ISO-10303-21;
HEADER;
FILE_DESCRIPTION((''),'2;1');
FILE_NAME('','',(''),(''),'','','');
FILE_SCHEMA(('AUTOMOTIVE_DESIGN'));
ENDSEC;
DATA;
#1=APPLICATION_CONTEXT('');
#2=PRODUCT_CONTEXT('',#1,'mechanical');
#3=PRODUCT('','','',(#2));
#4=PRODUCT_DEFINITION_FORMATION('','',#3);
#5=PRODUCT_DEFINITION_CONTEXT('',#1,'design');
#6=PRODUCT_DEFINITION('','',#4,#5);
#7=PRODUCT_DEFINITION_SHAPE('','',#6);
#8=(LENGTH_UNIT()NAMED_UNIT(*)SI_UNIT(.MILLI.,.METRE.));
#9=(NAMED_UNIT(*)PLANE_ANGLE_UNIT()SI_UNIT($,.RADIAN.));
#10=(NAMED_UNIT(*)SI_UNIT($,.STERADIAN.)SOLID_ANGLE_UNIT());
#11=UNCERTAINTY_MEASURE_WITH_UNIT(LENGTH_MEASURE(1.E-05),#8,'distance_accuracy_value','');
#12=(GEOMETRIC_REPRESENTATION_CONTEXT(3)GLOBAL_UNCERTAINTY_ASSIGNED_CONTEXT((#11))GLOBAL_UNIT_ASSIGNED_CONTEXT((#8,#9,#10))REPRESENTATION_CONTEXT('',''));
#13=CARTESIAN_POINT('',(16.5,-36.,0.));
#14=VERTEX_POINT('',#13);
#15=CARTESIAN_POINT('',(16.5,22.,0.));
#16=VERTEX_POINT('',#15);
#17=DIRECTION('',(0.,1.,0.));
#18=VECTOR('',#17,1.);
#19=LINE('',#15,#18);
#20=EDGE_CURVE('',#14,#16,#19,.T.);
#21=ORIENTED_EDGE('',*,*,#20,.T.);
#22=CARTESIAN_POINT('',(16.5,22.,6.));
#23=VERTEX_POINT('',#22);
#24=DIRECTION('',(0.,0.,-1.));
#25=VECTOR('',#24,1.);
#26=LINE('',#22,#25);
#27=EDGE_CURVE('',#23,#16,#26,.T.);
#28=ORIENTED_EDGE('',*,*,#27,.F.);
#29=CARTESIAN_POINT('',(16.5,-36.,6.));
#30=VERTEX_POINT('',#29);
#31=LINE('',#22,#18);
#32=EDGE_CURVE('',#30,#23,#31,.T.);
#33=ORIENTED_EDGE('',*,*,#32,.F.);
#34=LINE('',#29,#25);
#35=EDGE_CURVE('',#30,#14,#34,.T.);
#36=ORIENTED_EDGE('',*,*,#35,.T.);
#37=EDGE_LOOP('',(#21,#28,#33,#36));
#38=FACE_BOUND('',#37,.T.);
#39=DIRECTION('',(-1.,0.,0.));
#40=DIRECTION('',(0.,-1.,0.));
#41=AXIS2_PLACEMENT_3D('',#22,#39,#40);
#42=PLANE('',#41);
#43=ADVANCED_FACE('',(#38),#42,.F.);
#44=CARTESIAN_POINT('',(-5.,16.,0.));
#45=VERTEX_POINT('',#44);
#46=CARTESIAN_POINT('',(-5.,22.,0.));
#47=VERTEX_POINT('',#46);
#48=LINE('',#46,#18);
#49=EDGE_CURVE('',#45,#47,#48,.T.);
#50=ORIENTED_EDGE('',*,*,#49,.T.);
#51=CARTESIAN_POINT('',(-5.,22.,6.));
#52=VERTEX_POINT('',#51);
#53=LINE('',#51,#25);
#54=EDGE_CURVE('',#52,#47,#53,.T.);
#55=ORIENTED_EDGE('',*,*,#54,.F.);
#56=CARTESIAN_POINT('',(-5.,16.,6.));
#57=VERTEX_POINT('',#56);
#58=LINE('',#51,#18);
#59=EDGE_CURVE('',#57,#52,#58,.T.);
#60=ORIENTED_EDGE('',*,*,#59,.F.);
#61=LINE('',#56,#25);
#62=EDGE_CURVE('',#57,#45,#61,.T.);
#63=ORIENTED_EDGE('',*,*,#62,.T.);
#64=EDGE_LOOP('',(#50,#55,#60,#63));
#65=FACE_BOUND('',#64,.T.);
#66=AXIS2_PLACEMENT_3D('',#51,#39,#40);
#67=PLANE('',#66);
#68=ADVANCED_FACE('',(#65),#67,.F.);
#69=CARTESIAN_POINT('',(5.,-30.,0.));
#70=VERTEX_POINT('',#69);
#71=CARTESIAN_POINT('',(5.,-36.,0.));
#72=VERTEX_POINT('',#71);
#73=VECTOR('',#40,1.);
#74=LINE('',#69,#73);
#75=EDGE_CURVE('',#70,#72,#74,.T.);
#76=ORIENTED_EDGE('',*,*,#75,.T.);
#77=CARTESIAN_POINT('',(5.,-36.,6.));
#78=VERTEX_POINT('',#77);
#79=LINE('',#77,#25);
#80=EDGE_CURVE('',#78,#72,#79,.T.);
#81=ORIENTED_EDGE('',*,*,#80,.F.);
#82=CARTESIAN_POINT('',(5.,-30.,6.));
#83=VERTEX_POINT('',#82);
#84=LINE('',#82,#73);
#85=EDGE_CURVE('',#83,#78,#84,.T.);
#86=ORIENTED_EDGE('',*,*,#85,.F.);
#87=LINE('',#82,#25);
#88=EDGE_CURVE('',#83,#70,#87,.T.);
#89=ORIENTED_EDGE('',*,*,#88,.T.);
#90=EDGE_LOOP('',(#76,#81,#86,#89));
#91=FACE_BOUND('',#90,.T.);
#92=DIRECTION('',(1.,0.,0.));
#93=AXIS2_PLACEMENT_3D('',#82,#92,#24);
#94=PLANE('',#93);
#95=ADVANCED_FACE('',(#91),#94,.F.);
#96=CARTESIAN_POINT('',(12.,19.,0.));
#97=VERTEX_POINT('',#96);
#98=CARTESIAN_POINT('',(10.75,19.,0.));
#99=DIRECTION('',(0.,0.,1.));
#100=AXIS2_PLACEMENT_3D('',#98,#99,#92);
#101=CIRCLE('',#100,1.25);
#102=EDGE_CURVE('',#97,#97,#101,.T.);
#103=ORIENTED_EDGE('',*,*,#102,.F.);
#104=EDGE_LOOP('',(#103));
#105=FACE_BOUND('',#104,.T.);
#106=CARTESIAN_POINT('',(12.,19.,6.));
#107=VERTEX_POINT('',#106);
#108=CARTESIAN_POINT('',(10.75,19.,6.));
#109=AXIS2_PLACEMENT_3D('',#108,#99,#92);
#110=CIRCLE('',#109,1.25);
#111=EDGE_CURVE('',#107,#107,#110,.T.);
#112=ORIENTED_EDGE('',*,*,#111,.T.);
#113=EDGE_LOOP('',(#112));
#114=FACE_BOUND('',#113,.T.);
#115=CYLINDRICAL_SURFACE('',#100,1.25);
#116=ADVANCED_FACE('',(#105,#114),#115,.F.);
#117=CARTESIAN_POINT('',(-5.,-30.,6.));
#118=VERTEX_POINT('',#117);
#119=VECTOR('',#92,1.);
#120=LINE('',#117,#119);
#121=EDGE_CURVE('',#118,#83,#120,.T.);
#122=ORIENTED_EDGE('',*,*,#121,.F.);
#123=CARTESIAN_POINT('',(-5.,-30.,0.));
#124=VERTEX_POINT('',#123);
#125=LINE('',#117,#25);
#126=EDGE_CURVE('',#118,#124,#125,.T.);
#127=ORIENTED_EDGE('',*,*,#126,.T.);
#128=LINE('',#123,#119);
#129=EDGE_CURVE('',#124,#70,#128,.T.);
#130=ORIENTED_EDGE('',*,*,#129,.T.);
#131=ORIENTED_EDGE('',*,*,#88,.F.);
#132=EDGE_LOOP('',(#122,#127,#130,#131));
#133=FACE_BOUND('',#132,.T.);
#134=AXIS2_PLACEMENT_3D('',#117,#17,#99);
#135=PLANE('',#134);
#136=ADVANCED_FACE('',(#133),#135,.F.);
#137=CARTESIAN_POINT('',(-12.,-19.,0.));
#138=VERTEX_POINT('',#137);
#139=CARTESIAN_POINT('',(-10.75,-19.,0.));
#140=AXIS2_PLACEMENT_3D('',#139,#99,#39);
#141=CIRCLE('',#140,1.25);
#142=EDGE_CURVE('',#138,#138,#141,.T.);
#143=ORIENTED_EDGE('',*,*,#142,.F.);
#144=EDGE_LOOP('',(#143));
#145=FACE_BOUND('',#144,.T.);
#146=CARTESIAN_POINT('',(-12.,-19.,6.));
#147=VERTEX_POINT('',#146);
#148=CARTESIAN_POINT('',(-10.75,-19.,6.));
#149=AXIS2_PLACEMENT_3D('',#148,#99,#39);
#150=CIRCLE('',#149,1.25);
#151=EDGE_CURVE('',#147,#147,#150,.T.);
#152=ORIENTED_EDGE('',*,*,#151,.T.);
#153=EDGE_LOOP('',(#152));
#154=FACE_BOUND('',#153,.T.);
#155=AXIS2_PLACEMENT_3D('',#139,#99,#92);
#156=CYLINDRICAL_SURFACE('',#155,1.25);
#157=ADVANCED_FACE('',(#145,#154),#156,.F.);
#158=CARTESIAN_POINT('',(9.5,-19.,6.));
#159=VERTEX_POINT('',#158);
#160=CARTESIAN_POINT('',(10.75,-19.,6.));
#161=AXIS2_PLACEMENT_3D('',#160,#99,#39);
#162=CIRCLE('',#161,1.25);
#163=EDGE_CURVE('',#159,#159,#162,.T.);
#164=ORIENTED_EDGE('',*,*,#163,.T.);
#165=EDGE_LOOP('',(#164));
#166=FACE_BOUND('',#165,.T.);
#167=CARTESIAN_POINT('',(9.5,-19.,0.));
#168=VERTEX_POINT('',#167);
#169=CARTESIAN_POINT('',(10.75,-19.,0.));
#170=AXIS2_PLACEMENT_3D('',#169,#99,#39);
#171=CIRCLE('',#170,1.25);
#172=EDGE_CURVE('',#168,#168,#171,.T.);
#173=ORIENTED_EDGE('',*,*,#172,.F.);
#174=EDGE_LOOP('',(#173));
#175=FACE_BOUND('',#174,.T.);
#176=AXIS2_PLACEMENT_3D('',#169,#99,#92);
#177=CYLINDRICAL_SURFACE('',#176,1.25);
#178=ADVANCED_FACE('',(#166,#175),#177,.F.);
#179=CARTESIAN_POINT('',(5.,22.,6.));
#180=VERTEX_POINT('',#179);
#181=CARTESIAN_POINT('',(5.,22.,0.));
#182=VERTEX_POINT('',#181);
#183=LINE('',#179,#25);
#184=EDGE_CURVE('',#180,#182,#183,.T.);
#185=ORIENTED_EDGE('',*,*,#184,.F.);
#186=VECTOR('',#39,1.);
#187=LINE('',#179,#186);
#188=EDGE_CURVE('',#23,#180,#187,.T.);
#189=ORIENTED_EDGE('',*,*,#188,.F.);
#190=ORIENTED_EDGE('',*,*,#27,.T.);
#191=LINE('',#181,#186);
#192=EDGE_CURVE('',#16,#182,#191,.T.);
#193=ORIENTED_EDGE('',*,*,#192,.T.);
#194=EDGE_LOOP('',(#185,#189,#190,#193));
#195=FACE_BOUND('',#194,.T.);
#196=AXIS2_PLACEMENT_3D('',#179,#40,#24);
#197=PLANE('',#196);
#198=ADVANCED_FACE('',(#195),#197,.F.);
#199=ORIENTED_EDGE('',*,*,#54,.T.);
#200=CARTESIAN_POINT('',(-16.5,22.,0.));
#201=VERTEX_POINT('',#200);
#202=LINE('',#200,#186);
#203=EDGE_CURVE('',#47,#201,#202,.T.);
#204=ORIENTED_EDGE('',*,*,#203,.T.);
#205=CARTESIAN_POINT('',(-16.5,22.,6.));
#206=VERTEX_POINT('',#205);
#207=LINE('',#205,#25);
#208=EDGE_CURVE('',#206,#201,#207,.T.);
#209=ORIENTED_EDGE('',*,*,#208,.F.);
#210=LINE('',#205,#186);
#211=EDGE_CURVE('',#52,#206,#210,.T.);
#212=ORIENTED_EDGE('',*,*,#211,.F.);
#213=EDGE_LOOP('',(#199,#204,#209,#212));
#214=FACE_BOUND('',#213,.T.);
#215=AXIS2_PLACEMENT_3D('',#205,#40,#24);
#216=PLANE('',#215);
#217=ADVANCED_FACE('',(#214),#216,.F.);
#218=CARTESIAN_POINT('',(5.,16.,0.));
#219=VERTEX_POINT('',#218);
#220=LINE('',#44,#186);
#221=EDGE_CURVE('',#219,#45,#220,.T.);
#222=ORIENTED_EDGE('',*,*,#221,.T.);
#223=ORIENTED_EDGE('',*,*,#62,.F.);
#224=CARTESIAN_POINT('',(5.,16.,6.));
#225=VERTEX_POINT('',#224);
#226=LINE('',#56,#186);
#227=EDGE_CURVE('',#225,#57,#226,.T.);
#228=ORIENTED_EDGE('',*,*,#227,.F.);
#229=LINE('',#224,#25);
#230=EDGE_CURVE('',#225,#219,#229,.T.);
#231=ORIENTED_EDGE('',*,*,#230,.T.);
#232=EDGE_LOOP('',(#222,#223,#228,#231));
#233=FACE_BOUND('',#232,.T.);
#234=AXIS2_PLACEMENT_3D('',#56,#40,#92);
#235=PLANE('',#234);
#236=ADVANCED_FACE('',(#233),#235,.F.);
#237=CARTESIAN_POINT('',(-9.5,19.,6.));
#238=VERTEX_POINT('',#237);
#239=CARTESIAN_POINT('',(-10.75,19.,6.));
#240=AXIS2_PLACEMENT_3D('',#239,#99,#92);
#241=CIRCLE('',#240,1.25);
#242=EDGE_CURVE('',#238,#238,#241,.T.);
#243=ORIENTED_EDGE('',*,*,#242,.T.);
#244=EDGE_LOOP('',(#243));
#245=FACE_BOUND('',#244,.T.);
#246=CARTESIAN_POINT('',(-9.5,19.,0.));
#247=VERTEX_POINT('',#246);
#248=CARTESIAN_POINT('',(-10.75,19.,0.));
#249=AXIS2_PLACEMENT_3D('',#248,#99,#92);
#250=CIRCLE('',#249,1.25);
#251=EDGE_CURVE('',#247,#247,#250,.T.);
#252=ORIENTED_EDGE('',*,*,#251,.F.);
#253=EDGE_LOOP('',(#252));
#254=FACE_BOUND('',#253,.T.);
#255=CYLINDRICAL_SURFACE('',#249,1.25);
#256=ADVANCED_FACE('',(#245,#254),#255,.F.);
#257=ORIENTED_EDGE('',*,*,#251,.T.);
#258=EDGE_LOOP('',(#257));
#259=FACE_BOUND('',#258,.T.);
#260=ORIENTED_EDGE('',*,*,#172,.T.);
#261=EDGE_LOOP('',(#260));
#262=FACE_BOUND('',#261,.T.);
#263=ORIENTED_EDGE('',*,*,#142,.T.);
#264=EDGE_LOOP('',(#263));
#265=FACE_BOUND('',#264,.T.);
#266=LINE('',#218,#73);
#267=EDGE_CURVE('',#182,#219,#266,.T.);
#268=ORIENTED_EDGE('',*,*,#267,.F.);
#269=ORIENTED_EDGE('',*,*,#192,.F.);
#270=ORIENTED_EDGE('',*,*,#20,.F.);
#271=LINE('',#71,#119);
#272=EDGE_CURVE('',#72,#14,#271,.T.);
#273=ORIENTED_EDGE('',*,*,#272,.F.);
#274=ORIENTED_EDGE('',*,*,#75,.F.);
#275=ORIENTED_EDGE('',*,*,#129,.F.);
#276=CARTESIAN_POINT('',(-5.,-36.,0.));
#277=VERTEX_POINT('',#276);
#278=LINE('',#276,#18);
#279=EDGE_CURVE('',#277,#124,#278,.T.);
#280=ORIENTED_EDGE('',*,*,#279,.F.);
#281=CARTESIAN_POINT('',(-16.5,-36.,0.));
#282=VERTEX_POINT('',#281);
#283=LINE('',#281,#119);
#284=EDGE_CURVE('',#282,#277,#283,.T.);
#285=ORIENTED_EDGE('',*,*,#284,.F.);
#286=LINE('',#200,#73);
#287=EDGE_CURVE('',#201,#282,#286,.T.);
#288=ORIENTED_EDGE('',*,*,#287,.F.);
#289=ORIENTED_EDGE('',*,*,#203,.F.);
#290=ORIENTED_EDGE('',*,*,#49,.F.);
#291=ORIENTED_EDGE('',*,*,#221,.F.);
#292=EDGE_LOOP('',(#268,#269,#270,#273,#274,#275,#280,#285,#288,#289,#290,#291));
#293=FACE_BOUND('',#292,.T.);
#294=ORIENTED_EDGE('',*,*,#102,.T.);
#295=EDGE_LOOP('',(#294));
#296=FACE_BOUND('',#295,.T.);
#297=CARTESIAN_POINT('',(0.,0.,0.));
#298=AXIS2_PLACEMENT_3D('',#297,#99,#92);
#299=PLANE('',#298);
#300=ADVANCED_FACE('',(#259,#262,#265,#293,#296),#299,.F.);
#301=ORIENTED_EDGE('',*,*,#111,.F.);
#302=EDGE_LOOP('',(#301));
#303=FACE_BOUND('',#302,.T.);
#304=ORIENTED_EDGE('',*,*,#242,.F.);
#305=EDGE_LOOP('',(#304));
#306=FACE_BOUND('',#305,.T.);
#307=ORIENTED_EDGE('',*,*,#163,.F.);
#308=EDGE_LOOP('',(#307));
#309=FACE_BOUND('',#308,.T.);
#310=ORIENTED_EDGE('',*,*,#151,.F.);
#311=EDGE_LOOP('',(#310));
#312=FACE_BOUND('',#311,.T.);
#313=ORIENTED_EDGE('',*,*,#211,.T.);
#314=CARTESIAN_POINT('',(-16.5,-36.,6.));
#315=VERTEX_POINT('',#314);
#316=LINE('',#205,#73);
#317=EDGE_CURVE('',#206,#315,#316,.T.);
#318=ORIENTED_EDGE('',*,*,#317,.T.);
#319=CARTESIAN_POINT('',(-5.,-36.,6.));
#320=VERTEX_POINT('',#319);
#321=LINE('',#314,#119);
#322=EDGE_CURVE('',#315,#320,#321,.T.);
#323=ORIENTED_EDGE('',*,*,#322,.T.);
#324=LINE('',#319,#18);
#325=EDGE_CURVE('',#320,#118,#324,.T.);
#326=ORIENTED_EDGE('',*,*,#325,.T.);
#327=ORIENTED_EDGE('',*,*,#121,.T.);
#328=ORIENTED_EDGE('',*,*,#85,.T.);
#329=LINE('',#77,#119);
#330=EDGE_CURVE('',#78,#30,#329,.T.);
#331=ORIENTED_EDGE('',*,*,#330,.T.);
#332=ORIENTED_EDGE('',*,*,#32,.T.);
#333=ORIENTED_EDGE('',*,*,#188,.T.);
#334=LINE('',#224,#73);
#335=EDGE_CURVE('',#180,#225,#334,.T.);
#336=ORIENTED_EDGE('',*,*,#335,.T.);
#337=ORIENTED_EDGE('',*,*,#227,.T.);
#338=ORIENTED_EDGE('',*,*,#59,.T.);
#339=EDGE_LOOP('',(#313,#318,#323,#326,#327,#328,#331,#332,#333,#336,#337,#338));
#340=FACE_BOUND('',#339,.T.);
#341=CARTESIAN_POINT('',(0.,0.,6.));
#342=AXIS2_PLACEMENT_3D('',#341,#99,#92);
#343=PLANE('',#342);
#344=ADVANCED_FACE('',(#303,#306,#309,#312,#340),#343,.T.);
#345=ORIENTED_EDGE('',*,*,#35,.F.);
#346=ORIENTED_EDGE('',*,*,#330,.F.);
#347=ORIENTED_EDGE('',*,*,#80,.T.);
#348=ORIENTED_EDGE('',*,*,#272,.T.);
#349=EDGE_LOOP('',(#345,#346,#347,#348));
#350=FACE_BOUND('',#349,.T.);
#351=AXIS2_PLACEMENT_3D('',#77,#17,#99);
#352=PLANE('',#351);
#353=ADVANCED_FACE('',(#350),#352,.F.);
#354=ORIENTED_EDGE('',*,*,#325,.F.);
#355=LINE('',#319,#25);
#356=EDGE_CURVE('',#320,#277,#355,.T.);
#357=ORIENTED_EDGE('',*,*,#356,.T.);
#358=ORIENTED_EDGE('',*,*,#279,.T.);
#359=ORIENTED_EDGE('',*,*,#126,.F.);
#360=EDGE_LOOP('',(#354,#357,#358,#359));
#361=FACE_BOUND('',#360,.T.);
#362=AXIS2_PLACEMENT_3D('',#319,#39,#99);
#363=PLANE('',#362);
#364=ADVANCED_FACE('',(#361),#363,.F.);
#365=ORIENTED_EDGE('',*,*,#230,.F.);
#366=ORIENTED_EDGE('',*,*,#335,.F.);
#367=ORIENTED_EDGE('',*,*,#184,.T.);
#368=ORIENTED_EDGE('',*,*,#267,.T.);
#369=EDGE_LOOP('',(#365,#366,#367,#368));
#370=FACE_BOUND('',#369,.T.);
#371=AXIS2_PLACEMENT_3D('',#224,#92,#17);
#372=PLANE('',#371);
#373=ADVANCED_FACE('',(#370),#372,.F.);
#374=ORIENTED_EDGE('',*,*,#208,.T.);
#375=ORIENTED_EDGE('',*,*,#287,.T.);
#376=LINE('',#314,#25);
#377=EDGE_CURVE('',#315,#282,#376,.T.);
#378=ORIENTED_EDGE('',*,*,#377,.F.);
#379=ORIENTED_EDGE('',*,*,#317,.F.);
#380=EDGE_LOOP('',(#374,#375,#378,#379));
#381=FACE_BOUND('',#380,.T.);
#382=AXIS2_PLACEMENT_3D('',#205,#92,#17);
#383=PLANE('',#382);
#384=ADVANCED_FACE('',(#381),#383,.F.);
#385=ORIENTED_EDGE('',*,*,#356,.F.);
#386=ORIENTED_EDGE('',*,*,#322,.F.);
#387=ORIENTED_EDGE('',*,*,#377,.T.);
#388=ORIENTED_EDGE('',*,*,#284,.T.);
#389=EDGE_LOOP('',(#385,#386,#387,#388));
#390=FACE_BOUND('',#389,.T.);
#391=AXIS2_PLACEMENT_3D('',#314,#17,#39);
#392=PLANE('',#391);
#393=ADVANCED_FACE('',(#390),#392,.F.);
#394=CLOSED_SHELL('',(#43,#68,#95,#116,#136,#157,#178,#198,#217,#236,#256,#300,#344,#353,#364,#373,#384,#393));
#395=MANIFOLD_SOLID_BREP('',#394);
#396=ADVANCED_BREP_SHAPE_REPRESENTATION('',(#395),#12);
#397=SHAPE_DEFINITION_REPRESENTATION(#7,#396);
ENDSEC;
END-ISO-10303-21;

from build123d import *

# Parameters (mm, degrees)
BOSS_EXTRU_1_DEPTH      = 6
ESQUISSE2_R             = 1.25
ENL_V_MAT_EXTRU_1_DEPTH = 6


with BuildPart() as part:
    # Esquisse1 → Boss.-Extru.1 (new body)
    with BuildSketch(Plane.XY):
        Polygon((-16.5, 22), (-5, 22), (-5, 16), (5, 16), (5, 22), (16.5, 22), (16.5, -36), (5, -36), (5, -30), (-5, -30), (-5, -36), (-16.5, -36), align=None)
    extrude(amount=BOSS_EXTRU_1_DEPTH)

    # Esquisse2 → Enlèv. mat.-Extru.1 (cut)
    with BuildSketch(Plane.XY.offset(6)):
        with Locations((-10.75, 19)):
            Circle(ESQUISSE2_R)
        with Locations((10.75, 19)):
            Circle(ESQUISSE2_R)
        with Locations((10.75, -19)):
            Circle(ESQUISSE2_R)
        with Locations((-10.75, -19)):
            Circle(ESQUISSE2_R)
    extrude(amount=-ENL_V_MAT_EXTRU_1_DEPTH, mode=Mode.SUBTRACT)


solid = part.part
